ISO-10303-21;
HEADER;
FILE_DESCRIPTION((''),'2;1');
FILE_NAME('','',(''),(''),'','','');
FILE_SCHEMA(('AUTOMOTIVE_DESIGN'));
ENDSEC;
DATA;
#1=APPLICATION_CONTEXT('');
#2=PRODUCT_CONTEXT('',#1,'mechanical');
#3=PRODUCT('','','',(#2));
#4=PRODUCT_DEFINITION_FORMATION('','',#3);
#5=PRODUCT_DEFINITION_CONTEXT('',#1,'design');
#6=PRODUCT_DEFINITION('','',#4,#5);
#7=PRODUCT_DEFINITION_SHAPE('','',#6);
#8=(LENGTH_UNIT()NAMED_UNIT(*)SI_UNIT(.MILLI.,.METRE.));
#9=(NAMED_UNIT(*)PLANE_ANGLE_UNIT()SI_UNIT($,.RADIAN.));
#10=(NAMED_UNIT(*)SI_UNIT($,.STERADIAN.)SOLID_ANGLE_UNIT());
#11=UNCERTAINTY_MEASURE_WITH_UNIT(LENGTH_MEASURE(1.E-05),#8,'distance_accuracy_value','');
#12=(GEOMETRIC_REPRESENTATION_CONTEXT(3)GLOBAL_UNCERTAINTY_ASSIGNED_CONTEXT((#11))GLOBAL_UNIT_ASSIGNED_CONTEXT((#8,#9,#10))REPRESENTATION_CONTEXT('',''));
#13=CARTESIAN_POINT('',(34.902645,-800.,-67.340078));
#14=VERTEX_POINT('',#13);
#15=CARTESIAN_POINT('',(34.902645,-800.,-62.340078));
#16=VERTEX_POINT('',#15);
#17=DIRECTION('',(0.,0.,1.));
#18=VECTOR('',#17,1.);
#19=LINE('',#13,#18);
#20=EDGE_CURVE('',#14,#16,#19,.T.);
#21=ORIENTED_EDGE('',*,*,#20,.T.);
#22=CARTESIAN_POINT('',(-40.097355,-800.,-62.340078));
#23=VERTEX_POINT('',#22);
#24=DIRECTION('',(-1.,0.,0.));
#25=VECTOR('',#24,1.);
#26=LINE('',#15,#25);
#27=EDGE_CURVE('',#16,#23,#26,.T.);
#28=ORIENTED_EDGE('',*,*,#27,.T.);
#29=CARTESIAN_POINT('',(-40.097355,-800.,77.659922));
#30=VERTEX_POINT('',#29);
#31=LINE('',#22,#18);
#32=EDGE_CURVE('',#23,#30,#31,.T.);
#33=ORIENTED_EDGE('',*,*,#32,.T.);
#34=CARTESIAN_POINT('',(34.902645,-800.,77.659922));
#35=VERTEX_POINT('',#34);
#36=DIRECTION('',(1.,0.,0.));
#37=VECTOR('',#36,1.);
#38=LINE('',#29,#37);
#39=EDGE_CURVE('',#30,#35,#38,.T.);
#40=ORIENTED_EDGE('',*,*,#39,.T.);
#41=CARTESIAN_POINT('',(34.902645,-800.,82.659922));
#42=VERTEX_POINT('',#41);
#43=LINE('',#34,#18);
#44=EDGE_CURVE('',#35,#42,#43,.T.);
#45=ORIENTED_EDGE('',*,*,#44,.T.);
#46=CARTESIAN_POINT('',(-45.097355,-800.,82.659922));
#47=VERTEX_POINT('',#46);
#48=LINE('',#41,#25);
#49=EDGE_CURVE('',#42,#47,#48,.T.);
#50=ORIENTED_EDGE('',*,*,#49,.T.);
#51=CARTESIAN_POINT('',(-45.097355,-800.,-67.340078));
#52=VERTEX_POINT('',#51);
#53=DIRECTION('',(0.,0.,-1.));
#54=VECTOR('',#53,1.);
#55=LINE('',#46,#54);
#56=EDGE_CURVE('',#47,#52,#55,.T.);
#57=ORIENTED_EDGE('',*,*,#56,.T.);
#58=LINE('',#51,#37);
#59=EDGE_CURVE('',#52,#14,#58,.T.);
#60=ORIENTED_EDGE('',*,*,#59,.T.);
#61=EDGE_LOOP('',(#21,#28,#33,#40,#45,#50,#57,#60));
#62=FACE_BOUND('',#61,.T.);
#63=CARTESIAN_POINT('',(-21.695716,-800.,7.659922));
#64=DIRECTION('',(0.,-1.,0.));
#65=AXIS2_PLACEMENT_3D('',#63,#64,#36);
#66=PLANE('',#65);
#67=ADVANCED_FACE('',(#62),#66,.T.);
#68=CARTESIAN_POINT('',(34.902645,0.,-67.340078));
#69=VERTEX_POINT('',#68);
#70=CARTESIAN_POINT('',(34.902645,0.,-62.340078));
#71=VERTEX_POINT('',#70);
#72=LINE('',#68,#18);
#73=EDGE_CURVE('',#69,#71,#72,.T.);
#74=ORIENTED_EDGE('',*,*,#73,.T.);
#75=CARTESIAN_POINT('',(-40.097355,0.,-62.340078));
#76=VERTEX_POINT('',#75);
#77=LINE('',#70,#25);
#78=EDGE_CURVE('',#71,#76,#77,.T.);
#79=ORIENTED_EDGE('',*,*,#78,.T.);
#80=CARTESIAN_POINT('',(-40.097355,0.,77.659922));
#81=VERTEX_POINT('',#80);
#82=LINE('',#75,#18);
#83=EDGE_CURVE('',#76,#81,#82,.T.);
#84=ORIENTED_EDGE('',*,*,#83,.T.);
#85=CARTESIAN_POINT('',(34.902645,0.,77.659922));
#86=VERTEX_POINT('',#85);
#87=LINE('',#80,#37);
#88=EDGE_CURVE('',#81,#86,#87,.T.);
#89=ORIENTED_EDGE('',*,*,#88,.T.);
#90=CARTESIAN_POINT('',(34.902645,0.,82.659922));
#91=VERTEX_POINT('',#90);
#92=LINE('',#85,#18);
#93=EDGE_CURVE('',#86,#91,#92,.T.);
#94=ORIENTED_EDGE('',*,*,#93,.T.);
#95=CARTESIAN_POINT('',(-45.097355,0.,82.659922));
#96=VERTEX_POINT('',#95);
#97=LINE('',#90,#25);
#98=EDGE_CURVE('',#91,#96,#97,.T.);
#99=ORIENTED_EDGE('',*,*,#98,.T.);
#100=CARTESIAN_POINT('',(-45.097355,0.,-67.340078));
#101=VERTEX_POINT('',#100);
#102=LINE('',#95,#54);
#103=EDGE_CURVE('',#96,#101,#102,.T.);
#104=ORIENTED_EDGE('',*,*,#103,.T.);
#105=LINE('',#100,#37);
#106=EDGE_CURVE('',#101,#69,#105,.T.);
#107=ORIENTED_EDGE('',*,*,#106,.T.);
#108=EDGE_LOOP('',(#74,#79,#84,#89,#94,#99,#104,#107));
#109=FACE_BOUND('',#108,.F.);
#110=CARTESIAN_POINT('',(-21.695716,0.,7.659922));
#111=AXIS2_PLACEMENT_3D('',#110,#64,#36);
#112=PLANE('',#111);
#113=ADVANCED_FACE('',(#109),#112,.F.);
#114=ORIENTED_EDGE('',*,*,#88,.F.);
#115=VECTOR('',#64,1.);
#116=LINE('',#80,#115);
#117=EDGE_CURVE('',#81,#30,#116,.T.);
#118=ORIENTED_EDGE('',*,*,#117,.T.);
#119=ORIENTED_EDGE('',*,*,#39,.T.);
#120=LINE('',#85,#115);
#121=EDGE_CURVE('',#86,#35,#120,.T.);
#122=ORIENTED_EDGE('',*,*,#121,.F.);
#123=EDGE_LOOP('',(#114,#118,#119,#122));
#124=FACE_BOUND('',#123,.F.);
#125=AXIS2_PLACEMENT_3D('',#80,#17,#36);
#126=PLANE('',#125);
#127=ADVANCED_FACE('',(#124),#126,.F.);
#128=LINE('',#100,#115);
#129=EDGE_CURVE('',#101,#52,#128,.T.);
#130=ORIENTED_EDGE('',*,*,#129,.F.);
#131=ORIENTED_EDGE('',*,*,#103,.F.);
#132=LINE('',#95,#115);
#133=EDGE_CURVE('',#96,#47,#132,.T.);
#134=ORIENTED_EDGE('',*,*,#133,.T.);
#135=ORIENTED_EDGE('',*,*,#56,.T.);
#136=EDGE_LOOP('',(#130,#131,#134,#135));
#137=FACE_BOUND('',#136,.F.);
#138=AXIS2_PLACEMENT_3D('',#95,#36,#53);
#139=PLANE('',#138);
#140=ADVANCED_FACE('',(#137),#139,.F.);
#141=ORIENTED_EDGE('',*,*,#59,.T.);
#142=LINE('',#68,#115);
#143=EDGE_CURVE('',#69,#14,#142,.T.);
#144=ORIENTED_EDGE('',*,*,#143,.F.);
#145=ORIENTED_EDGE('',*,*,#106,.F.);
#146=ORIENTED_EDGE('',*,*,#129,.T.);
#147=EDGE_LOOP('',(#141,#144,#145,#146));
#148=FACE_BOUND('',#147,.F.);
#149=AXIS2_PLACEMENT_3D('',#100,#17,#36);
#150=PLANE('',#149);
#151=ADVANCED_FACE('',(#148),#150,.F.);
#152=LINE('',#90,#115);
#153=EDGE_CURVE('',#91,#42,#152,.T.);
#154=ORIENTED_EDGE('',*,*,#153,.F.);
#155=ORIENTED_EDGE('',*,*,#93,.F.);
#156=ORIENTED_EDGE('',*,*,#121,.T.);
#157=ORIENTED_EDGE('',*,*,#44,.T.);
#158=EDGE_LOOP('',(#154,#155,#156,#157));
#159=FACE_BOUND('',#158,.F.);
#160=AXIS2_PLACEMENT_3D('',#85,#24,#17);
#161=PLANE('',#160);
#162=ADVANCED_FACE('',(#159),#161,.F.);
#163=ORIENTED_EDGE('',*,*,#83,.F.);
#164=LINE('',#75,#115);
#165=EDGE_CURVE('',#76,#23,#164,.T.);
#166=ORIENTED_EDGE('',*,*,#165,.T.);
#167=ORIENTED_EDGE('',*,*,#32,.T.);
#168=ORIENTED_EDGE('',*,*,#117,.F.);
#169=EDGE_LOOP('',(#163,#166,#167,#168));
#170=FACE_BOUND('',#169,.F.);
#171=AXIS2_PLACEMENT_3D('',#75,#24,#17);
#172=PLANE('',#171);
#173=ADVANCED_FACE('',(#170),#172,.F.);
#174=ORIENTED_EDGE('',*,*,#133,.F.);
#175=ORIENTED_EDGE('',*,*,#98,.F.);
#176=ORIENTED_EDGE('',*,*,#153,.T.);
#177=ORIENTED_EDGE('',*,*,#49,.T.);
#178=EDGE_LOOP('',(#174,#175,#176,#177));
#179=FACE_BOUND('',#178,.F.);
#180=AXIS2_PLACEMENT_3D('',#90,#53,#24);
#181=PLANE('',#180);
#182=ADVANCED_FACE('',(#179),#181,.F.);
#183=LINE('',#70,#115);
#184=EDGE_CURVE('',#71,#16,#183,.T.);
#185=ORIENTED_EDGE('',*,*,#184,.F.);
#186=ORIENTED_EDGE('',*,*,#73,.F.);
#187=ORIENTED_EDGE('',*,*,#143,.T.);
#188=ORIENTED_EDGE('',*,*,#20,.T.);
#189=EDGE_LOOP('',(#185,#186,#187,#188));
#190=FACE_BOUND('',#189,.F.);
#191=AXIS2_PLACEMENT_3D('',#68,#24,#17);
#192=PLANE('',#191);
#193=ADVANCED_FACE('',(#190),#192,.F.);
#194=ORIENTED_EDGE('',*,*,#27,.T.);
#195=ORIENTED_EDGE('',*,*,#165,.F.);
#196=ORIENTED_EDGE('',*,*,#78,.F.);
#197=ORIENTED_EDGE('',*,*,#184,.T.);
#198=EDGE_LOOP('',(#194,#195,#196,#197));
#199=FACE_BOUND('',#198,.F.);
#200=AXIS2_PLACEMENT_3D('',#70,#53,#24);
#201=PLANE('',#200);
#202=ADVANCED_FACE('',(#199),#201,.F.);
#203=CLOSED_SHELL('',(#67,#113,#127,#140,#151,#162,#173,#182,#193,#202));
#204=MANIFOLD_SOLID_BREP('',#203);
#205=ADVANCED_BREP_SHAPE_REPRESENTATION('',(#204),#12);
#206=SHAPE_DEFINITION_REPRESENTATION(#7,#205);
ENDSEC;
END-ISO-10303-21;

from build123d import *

# Parameters (mm, degrees)
PAD_DEPTH = 800


with BuildPart() as part:
    # Sketch001 → Pad (new body)
    with BuildSketch(Plane.XZ):
        Polygon((34.902645, 82.659922), (-45.097355, 82.659922), (-45.097355, -67.340078), (34.902645, -67.340078), (34.902645, -62.340078), (-40.097355, -62.340078), (-40.097355, 77.659922), (34.902645, 77.659922), align=None)
    extrude(amount=PAD_DEPTH)


solid = part.part
